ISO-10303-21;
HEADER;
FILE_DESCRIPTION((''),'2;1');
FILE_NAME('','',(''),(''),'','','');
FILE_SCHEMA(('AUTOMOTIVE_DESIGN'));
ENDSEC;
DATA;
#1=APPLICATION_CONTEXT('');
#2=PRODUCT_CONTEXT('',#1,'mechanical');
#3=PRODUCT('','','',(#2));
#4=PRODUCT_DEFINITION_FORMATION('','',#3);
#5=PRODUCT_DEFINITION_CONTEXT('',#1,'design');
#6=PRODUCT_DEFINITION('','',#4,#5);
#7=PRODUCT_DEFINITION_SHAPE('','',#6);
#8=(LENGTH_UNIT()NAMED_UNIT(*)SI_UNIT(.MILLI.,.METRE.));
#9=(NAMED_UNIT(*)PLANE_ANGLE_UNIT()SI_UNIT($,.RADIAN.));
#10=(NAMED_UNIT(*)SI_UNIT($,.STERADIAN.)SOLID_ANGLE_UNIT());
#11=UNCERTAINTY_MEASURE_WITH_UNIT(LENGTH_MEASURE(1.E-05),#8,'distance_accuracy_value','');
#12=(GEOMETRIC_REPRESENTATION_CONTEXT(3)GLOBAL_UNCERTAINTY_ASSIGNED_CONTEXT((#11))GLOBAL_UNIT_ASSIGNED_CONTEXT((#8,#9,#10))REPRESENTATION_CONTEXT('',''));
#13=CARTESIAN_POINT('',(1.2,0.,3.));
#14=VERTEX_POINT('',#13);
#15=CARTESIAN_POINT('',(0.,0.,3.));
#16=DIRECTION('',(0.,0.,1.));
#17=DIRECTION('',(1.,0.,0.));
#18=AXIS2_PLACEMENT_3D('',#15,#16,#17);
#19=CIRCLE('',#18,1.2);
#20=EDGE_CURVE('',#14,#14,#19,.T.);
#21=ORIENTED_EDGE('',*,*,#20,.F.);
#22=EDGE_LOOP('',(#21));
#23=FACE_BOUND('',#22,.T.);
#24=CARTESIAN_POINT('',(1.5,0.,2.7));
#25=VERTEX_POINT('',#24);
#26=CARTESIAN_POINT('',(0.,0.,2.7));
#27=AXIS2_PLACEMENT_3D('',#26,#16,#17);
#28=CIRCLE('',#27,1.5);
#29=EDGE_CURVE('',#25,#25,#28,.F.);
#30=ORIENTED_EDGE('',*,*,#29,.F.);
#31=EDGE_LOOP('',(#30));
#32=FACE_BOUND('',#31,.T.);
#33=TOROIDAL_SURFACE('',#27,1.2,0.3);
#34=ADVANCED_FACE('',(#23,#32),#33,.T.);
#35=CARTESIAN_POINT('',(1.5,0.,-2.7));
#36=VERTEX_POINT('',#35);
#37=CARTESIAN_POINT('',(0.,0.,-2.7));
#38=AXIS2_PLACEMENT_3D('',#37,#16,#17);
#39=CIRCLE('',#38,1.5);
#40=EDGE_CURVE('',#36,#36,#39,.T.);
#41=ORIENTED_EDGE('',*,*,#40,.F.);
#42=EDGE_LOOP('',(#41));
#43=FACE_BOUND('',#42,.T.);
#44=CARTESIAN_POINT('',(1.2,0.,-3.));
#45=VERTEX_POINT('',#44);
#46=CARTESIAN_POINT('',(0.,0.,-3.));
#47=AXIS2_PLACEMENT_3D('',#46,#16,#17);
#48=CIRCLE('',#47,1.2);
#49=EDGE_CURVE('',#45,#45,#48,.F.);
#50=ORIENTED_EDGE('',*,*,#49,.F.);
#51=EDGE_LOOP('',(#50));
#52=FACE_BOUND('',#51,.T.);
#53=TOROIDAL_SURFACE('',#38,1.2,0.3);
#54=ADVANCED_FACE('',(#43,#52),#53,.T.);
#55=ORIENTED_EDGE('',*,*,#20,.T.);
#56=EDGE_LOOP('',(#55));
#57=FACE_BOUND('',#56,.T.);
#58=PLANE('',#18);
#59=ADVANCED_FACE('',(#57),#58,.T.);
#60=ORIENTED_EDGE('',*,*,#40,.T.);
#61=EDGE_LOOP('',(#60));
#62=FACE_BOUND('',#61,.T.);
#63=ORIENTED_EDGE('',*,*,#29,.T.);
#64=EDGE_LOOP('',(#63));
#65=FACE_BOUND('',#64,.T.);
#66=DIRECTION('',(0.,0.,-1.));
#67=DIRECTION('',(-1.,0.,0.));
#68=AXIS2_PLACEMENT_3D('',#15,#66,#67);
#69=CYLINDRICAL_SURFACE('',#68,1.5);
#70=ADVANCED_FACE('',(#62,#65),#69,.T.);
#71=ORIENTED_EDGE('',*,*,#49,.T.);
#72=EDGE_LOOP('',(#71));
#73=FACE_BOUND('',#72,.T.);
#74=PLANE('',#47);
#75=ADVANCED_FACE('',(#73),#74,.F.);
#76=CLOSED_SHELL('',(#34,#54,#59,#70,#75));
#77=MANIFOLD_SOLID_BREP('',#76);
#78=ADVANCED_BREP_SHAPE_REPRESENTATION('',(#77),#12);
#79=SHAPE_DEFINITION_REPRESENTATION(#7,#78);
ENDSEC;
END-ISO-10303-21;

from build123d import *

# Parameters (mm, degrees)
SKETCH_1_R      = 1.5
EXTRUDE_1_DEPTH = 3
FILLET_1_R      = 0.3
FILLET_2_R      = 0.3


with BuildPart() as part:
    # 草图1 → 拉伸1 (new, symmetric)
    with BuildSketch(Plane.XY):
        Circle(SKETCH_1_R)
    extrude(amount=EXTRUDE_1_DEPTH, both=True)

    # 圆角1
    fillet_1_edges = [part.edges().sort_by_distance(p)[0] for p in [
        (-1.5, 0, 3),
    ]]
    fillet(fillet_1_edges, radius=FILLET_1_R)

    # 圆角2
    fillet_2_edges = [part.edges().sort_by_distance(p)[0] for p in [
        (-1.5, 0, -3),
    ]]
    fillet(fillet_2_edges, radius=FILLET_2_R)


solid = part.part
